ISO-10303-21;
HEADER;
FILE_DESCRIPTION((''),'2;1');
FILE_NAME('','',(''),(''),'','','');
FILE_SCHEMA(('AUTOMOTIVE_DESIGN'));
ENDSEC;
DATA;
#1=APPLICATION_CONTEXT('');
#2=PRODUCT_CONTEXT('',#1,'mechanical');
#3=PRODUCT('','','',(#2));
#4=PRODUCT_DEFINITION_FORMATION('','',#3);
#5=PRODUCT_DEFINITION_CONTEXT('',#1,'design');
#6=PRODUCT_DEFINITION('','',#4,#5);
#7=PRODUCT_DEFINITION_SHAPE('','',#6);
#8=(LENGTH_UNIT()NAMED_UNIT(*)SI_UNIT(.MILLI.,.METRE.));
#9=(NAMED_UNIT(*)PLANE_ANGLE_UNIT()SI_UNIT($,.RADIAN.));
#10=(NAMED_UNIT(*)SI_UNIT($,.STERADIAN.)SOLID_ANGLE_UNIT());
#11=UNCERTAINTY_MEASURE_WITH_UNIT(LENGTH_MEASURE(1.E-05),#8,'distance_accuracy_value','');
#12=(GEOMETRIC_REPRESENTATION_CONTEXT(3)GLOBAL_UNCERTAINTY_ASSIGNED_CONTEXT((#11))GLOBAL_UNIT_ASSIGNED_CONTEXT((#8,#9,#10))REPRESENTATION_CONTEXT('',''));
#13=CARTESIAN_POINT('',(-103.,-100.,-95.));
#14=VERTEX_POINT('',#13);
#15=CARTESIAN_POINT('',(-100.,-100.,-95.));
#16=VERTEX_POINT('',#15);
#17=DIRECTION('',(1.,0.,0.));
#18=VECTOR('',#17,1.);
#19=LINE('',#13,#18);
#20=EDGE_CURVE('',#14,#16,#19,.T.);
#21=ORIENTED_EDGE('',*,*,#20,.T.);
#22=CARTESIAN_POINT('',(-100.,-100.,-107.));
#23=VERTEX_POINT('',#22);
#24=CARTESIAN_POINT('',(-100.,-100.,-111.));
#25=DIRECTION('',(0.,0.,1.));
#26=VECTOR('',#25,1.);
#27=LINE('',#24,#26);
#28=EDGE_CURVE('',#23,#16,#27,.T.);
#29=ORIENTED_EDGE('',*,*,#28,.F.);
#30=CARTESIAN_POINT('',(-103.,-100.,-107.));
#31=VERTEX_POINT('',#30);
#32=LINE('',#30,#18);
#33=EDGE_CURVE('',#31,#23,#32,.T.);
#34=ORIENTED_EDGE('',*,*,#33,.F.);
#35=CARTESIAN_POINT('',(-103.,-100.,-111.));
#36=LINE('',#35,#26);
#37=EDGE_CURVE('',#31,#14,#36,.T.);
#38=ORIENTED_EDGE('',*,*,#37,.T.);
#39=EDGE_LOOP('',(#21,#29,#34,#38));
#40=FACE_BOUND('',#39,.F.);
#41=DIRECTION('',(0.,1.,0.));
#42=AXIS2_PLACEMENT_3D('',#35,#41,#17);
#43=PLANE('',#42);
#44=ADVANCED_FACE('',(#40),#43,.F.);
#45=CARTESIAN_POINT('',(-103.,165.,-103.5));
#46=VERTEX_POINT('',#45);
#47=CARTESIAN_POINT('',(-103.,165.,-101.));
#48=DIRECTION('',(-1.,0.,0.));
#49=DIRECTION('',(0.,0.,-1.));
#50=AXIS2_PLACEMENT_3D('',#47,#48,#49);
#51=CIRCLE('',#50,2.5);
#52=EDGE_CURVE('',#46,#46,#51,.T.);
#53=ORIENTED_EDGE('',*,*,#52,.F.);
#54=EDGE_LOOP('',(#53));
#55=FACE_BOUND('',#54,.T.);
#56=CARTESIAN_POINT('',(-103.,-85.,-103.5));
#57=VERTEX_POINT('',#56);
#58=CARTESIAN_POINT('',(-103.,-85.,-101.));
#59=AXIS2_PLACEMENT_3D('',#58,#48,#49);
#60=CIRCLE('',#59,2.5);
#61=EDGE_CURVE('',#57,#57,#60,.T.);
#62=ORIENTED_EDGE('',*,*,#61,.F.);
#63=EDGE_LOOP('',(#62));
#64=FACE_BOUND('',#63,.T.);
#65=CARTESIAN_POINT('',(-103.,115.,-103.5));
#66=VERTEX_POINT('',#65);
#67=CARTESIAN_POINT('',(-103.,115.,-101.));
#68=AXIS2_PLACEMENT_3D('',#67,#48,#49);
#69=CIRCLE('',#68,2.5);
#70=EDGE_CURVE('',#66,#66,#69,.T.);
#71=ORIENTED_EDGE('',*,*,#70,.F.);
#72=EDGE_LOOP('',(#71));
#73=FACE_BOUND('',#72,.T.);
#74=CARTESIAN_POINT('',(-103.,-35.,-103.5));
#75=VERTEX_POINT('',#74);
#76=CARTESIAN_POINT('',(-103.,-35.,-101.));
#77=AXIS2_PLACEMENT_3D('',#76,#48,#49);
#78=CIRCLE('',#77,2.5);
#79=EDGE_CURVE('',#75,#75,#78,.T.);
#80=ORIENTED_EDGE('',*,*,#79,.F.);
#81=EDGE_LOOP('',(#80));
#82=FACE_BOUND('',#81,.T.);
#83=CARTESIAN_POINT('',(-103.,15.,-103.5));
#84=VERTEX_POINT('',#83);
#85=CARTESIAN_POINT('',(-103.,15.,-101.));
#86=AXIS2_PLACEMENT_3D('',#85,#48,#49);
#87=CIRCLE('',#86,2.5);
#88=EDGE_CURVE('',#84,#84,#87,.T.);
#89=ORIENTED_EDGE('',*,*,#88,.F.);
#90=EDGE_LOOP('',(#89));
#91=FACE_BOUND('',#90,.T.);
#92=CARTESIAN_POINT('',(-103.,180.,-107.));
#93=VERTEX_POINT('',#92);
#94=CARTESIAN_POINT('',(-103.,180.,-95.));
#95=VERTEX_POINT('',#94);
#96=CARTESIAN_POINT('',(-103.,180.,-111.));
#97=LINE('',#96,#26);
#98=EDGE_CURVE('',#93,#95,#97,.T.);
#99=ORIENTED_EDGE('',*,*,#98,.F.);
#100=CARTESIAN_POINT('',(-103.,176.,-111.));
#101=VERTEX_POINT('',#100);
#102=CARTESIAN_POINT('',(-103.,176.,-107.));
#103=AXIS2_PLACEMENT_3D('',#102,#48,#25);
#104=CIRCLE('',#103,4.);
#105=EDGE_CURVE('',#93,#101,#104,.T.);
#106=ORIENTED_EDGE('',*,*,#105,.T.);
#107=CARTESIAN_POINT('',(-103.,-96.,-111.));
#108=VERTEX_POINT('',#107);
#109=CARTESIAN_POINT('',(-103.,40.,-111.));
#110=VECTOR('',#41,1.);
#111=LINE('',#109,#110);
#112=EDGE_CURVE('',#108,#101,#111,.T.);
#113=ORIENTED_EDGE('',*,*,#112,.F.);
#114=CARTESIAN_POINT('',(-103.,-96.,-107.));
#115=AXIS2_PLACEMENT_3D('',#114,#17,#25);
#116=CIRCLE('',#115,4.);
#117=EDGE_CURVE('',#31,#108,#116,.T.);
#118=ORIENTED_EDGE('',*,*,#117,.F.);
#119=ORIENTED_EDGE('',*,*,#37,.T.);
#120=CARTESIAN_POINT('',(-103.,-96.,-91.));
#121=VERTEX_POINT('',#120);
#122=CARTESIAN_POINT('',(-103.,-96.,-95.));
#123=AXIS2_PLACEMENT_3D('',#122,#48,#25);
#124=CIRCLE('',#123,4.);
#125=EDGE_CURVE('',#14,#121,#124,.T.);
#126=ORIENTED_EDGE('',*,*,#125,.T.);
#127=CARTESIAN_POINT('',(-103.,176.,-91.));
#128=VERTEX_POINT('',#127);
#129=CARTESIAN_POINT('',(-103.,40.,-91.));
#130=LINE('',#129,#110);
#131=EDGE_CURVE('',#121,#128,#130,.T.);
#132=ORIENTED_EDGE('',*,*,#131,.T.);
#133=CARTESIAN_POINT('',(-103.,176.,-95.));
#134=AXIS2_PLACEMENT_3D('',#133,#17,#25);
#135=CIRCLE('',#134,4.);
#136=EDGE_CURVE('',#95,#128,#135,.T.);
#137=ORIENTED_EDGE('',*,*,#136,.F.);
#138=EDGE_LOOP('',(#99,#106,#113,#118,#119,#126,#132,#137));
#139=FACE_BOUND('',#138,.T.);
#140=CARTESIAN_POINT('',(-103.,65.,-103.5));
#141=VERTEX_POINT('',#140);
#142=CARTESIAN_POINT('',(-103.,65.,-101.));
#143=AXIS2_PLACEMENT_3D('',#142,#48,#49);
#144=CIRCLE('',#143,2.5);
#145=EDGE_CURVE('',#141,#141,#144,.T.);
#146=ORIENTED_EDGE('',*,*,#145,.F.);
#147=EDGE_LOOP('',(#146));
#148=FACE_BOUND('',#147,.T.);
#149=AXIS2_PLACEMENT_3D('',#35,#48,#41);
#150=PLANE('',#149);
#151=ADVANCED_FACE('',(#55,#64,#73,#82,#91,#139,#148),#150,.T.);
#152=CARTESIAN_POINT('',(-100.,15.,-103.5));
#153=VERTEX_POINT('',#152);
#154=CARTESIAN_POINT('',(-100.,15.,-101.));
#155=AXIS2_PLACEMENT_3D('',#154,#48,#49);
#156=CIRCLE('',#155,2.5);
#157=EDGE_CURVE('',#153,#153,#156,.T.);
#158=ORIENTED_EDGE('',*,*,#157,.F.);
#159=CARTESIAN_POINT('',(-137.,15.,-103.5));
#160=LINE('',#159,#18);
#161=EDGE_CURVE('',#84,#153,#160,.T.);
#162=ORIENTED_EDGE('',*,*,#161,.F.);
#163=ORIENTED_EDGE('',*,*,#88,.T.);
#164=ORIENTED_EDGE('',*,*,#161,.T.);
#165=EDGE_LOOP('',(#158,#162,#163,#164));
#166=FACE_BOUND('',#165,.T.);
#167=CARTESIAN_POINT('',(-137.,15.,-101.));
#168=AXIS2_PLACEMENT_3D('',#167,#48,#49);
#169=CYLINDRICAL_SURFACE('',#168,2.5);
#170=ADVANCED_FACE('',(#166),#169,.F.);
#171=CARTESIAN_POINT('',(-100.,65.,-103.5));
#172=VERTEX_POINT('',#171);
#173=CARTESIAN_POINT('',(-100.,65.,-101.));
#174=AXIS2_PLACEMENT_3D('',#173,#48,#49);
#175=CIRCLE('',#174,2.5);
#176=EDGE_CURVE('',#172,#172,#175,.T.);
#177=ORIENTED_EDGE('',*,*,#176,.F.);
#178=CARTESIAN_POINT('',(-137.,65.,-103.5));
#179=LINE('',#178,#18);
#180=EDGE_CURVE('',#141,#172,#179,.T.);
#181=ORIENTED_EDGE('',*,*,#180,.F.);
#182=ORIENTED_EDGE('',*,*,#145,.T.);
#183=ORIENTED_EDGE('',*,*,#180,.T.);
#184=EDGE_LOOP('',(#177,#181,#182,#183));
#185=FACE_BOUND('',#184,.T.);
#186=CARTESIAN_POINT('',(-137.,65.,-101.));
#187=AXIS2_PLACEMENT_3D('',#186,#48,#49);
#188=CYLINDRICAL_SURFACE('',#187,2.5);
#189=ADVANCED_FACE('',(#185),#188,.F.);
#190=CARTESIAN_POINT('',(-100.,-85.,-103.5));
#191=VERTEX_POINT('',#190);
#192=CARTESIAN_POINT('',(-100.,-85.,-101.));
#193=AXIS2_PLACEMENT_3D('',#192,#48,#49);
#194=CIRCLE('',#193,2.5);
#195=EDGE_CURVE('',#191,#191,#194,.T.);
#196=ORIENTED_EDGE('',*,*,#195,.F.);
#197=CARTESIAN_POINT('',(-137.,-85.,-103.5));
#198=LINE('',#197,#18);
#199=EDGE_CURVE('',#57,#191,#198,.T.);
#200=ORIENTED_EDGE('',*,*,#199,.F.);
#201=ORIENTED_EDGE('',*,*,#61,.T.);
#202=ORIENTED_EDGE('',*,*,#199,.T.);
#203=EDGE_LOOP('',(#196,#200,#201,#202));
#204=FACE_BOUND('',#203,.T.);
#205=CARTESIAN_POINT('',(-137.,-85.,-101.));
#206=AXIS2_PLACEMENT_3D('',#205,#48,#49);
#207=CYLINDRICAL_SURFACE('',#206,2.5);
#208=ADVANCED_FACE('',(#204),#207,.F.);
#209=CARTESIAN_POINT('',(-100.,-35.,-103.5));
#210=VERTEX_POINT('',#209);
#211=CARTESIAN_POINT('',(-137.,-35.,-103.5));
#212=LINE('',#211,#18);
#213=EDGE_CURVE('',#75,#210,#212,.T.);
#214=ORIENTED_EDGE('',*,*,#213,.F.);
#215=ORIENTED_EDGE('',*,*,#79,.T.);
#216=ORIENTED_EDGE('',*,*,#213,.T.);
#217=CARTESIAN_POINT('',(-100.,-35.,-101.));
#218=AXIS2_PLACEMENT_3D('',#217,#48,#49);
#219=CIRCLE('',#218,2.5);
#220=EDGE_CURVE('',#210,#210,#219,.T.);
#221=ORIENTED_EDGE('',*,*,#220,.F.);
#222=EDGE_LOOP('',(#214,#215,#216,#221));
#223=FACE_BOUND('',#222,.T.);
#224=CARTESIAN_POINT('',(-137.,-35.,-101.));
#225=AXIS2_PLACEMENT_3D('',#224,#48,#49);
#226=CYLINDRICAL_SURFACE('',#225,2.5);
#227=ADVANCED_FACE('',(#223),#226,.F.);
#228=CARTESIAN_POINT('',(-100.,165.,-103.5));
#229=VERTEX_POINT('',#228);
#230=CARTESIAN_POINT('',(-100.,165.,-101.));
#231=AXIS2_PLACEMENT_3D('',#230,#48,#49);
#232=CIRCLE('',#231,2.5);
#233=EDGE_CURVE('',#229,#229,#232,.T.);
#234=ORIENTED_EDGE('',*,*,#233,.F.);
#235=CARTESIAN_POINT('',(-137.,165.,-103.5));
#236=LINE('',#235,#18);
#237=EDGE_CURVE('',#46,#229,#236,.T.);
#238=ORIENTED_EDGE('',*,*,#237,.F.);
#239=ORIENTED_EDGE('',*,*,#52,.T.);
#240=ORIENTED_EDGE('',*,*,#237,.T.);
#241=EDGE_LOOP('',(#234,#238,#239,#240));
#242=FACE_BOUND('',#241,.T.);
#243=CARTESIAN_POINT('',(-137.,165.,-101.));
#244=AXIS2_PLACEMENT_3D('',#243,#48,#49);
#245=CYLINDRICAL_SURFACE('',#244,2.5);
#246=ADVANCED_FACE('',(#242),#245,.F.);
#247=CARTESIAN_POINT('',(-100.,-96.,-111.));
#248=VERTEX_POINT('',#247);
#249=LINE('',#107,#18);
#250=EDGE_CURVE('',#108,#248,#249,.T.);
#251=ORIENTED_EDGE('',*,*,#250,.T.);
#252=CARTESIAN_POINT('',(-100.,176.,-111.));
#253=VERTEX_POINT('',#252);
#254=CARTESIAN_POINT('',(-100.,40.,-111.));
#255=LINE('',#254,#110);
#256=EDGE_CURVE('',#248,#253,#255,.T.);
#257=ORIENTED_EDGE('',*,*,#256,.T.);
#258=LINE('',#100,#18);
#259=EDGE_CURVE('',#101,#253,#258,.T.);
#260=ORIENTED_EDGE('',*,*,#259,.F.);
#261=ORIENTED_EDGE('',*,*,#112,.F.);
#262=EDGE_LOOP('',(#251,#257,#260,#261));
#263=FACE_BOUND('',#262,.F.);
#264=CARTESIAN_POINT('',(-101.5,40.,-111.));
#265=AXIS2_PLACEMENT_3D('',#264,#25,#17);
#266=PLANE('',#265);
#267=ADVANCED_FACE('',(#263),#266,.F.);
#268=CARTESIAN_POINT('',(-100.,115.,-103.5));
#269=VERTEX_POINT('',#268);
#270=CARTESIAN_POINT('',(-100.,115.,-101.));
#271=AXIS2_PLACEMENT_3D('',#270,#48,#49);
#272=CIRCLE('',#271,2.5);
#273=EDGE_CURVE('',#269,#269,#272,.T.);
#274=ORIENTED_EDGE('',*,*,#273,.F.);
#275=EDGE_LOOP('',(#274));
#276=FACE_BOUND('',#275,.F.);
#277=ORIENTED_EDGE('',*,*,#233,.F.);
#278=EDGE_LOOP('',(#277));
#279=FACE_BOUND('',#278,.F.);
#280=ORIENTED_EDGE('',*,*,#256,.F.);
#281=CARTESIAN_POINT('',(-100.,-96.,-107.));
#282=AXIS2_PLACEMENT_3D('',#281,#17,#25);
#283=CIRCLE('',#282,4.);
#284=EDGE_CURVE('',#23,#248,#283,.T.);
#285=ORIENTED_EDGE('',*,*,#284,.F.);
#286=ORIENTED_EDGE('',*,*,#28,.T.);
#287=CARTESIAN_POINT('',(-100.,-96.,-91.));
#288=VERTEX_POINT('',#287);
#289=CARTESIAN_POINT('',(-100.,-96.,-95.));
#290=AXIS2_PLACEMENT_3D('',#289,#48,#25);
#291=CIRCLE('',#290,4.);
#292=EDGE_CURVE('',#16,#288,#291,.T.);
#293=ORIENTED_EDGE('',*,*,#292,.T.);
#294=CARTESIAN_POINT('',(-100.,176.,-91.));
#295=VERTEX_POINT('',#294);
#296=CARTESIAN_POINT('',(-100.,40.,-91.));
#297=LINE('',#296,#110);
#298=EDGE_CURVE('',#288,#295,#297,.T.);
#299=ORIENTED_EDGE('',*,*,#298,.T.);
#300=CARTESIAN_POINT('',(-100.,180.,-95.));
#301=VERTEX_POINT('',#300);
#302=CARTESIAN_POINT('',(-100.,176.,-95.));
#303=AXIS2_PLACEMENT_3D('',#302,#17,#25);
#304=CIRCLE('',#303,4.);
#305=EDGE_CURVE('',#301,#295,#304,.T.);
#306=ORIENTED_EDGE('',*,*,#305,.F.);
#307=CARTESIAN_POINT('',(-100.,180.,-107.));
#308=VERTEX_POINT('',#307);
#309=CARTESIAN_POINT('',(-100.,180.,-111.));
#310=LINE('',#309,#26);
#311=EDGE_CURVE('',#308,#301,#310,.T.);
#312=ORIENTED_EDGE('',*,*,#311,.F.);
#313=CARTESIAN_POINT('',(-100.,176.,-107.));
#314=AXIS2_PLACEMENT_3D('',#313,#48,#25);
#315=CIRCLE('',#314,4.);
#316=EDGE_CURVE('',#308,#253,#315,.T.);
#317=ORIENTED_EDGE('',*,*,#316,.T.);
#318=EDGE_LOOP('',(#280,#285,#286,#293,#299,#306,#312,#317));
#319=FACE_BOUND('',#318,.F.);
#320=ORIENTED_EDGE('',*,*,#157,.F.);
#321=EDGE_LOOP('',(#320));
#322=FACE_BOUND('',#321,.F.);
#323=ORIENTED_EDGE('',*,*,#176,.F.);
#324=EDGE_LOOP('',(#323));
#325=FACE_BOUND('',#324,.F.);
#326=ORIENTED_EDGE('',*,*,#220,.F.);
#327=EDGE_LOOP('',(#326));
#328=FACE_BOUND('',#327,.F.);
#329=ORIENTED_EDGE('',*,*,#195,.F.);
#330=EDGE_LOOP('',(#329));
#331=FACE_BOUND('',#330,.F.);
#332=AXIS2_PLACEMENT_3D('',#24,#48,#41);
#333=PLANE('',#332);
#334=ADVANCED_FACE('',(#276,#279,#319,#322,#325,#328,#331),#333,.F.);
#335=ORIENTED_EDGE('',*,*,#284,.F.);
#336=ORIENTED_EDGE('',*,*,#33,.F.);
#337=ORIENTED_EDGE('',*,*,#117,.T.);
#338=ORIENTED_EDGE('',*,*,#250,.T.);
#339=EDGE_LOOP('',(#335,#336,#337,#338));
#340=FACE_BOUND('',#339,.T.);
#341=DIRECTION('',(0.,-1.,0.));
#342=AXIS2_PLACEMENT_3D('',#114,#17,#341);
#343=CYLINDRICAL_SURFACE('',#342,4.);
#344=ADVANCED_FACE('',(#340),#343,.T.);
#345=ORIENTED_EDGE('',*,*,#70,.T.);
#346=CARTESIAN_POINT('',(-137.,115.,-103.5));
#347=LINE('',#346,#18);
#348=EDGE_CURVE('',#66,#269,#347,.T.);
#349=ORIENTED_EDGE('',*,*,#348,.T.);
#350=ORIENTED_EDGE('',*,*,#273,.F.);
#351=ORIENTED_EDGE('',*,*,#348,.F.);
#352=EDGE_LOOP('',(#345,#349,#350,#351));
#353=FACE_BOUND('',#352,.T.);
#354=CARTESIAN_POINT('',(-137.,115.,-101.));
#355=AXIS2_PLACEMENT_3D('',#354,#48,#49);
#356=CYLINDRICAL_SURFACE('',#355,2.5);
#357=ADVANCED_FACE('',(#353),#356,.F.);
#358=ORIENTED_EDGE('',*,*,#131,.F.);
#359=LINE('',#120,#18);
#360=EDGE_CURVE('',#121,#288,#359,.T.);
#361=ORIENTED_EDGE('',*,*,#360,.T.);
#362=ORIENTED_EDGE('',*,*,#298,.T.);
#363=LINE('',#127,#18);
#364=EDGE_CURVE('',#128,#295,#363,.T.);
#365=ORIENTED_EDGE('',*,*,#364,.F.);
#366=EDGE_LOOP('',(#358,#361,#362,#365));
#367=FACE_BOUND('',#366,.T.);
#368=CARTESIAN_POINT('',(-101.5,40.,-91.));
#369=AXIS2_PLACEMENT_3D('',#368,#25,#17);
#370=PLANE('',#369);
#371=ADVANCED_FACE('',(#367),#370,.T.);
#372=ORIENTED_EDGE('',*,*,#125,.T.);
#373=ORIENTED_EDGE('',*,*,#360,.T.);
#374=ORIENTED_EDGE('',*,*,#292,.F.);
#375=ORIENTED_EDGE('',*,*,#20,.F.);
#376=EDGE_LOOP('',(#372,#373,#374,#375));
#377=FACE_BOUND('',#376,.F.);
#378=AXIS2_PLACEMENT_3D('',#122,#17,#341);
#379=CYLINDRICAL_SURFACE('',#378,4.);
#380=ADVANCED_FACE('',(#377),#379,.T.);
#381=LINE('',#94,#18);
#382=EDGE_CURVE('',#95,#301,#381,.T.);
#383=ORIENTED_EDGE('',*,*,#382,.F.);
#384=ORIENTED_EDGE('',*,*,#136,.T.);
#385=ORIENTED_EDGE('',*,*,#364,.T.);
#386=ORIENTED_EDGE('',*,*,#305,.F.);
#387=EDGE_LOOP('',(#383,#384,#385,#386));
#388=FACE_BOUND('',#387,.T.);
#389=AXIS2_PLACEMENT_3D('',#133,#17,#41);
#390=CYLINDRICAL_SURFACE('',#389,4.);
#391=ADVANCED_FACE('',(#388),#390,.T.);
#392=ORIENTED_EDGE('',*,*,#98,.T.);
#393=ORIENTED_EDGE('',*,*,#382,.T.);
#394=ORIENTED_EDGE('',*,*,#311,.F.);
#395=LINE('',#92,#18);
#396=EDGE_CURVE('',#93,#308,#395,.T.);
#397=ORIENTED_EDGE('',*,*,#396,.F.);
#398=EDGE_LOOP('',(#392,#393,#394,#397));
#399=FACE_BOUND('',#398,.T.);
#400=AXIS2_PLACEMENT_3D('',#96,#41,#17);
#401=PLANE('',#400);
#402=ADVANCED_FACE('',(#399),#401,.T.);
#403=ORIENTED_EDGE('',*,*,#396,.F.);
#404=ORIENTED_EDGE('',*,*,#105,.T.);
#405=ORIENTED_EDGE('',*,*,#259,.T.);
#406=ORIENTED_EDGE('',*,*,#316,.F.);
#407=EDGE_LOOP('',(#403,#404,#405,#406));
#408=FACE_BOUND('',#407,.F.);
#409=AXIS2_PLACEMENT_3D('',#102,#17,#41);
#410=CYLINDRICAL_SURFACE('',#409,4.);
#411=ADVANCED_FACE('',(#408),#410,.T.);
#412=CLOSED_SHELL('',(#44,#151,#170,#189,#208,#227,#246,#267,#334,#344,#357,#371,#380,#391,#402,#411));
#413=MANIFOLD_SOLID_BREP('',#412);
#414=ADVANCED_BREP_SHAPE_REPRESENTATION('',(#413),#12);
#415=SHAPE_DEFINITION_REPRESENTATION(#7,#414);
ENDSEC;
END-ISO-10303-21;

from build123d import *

# Parameters (mm, degrees)
CYLINDER055_R       = 2.5
CYLINDER055_DEPTH   = 100
ARRAY001032_Y_COUNT = 6
ARRAY001032_Y_PITCH = 50
BOX030_W            = 3
BOX030_H            = 280
BOX030_DEPTH        = 20
FILLET002_R         = 4


with BuildPart() as horizontal_hole_array006:
    # Cylinder055 → Cylinder055 (new body)
    with BuildSketch(Plane(origin=(-137, -85, -101), x_dir=(0, 0, -1), z_dir=(1, 0, 0))):
        Circle(CYLINDER055_R)
    extrude(amount=CYLINDER055_DEPTH)

    # Array001032 Y: horizontal hole array006 ×6


with BuildPart() as horizontal_hole_array006_1:
    add(horizontal_hole_array006.part)
    with Locations(*[(0, i * ARRAY001032_Y_PITCH, 0) for i in range(1, ARRAY001032_Y_COUNT)]):
        add(horizontal_hole_array006.part)


with BuildPart() as stand_attachment_bottom_plate_cut:
    # Box030 → Box030 (new body)
    with BuildSketch(Plane(origin=(-103, -100, -111), x_dir=(1, 0, 0), z_dir=(0, 0, 1))):
        with Locations((1.5, 140)):
            Rectangle(BOX030_W, BOX030_H)
    extrude(amount=BOX030_DEPTH)

    # Fillet002
    fillet002_edges = [stand_attachment_bottom_plate_cut.edges().sort_by_distance(p)[0] for p in [
        (-101.5, -100, -111),
        (-101.5, -100, -91),
        (-101.5, 180, -111),
        (-101.5, 180, -91),
    ]]
    fillet(fillet002_edges, radius=FILLET002_R)

    # Cut019005: cut horizontal hole array006
    add(horizontal_hole_array006_1.part, mode=Mode.SUBTRACT)


solid = stand_attachment_bottom_plate_cut.part
